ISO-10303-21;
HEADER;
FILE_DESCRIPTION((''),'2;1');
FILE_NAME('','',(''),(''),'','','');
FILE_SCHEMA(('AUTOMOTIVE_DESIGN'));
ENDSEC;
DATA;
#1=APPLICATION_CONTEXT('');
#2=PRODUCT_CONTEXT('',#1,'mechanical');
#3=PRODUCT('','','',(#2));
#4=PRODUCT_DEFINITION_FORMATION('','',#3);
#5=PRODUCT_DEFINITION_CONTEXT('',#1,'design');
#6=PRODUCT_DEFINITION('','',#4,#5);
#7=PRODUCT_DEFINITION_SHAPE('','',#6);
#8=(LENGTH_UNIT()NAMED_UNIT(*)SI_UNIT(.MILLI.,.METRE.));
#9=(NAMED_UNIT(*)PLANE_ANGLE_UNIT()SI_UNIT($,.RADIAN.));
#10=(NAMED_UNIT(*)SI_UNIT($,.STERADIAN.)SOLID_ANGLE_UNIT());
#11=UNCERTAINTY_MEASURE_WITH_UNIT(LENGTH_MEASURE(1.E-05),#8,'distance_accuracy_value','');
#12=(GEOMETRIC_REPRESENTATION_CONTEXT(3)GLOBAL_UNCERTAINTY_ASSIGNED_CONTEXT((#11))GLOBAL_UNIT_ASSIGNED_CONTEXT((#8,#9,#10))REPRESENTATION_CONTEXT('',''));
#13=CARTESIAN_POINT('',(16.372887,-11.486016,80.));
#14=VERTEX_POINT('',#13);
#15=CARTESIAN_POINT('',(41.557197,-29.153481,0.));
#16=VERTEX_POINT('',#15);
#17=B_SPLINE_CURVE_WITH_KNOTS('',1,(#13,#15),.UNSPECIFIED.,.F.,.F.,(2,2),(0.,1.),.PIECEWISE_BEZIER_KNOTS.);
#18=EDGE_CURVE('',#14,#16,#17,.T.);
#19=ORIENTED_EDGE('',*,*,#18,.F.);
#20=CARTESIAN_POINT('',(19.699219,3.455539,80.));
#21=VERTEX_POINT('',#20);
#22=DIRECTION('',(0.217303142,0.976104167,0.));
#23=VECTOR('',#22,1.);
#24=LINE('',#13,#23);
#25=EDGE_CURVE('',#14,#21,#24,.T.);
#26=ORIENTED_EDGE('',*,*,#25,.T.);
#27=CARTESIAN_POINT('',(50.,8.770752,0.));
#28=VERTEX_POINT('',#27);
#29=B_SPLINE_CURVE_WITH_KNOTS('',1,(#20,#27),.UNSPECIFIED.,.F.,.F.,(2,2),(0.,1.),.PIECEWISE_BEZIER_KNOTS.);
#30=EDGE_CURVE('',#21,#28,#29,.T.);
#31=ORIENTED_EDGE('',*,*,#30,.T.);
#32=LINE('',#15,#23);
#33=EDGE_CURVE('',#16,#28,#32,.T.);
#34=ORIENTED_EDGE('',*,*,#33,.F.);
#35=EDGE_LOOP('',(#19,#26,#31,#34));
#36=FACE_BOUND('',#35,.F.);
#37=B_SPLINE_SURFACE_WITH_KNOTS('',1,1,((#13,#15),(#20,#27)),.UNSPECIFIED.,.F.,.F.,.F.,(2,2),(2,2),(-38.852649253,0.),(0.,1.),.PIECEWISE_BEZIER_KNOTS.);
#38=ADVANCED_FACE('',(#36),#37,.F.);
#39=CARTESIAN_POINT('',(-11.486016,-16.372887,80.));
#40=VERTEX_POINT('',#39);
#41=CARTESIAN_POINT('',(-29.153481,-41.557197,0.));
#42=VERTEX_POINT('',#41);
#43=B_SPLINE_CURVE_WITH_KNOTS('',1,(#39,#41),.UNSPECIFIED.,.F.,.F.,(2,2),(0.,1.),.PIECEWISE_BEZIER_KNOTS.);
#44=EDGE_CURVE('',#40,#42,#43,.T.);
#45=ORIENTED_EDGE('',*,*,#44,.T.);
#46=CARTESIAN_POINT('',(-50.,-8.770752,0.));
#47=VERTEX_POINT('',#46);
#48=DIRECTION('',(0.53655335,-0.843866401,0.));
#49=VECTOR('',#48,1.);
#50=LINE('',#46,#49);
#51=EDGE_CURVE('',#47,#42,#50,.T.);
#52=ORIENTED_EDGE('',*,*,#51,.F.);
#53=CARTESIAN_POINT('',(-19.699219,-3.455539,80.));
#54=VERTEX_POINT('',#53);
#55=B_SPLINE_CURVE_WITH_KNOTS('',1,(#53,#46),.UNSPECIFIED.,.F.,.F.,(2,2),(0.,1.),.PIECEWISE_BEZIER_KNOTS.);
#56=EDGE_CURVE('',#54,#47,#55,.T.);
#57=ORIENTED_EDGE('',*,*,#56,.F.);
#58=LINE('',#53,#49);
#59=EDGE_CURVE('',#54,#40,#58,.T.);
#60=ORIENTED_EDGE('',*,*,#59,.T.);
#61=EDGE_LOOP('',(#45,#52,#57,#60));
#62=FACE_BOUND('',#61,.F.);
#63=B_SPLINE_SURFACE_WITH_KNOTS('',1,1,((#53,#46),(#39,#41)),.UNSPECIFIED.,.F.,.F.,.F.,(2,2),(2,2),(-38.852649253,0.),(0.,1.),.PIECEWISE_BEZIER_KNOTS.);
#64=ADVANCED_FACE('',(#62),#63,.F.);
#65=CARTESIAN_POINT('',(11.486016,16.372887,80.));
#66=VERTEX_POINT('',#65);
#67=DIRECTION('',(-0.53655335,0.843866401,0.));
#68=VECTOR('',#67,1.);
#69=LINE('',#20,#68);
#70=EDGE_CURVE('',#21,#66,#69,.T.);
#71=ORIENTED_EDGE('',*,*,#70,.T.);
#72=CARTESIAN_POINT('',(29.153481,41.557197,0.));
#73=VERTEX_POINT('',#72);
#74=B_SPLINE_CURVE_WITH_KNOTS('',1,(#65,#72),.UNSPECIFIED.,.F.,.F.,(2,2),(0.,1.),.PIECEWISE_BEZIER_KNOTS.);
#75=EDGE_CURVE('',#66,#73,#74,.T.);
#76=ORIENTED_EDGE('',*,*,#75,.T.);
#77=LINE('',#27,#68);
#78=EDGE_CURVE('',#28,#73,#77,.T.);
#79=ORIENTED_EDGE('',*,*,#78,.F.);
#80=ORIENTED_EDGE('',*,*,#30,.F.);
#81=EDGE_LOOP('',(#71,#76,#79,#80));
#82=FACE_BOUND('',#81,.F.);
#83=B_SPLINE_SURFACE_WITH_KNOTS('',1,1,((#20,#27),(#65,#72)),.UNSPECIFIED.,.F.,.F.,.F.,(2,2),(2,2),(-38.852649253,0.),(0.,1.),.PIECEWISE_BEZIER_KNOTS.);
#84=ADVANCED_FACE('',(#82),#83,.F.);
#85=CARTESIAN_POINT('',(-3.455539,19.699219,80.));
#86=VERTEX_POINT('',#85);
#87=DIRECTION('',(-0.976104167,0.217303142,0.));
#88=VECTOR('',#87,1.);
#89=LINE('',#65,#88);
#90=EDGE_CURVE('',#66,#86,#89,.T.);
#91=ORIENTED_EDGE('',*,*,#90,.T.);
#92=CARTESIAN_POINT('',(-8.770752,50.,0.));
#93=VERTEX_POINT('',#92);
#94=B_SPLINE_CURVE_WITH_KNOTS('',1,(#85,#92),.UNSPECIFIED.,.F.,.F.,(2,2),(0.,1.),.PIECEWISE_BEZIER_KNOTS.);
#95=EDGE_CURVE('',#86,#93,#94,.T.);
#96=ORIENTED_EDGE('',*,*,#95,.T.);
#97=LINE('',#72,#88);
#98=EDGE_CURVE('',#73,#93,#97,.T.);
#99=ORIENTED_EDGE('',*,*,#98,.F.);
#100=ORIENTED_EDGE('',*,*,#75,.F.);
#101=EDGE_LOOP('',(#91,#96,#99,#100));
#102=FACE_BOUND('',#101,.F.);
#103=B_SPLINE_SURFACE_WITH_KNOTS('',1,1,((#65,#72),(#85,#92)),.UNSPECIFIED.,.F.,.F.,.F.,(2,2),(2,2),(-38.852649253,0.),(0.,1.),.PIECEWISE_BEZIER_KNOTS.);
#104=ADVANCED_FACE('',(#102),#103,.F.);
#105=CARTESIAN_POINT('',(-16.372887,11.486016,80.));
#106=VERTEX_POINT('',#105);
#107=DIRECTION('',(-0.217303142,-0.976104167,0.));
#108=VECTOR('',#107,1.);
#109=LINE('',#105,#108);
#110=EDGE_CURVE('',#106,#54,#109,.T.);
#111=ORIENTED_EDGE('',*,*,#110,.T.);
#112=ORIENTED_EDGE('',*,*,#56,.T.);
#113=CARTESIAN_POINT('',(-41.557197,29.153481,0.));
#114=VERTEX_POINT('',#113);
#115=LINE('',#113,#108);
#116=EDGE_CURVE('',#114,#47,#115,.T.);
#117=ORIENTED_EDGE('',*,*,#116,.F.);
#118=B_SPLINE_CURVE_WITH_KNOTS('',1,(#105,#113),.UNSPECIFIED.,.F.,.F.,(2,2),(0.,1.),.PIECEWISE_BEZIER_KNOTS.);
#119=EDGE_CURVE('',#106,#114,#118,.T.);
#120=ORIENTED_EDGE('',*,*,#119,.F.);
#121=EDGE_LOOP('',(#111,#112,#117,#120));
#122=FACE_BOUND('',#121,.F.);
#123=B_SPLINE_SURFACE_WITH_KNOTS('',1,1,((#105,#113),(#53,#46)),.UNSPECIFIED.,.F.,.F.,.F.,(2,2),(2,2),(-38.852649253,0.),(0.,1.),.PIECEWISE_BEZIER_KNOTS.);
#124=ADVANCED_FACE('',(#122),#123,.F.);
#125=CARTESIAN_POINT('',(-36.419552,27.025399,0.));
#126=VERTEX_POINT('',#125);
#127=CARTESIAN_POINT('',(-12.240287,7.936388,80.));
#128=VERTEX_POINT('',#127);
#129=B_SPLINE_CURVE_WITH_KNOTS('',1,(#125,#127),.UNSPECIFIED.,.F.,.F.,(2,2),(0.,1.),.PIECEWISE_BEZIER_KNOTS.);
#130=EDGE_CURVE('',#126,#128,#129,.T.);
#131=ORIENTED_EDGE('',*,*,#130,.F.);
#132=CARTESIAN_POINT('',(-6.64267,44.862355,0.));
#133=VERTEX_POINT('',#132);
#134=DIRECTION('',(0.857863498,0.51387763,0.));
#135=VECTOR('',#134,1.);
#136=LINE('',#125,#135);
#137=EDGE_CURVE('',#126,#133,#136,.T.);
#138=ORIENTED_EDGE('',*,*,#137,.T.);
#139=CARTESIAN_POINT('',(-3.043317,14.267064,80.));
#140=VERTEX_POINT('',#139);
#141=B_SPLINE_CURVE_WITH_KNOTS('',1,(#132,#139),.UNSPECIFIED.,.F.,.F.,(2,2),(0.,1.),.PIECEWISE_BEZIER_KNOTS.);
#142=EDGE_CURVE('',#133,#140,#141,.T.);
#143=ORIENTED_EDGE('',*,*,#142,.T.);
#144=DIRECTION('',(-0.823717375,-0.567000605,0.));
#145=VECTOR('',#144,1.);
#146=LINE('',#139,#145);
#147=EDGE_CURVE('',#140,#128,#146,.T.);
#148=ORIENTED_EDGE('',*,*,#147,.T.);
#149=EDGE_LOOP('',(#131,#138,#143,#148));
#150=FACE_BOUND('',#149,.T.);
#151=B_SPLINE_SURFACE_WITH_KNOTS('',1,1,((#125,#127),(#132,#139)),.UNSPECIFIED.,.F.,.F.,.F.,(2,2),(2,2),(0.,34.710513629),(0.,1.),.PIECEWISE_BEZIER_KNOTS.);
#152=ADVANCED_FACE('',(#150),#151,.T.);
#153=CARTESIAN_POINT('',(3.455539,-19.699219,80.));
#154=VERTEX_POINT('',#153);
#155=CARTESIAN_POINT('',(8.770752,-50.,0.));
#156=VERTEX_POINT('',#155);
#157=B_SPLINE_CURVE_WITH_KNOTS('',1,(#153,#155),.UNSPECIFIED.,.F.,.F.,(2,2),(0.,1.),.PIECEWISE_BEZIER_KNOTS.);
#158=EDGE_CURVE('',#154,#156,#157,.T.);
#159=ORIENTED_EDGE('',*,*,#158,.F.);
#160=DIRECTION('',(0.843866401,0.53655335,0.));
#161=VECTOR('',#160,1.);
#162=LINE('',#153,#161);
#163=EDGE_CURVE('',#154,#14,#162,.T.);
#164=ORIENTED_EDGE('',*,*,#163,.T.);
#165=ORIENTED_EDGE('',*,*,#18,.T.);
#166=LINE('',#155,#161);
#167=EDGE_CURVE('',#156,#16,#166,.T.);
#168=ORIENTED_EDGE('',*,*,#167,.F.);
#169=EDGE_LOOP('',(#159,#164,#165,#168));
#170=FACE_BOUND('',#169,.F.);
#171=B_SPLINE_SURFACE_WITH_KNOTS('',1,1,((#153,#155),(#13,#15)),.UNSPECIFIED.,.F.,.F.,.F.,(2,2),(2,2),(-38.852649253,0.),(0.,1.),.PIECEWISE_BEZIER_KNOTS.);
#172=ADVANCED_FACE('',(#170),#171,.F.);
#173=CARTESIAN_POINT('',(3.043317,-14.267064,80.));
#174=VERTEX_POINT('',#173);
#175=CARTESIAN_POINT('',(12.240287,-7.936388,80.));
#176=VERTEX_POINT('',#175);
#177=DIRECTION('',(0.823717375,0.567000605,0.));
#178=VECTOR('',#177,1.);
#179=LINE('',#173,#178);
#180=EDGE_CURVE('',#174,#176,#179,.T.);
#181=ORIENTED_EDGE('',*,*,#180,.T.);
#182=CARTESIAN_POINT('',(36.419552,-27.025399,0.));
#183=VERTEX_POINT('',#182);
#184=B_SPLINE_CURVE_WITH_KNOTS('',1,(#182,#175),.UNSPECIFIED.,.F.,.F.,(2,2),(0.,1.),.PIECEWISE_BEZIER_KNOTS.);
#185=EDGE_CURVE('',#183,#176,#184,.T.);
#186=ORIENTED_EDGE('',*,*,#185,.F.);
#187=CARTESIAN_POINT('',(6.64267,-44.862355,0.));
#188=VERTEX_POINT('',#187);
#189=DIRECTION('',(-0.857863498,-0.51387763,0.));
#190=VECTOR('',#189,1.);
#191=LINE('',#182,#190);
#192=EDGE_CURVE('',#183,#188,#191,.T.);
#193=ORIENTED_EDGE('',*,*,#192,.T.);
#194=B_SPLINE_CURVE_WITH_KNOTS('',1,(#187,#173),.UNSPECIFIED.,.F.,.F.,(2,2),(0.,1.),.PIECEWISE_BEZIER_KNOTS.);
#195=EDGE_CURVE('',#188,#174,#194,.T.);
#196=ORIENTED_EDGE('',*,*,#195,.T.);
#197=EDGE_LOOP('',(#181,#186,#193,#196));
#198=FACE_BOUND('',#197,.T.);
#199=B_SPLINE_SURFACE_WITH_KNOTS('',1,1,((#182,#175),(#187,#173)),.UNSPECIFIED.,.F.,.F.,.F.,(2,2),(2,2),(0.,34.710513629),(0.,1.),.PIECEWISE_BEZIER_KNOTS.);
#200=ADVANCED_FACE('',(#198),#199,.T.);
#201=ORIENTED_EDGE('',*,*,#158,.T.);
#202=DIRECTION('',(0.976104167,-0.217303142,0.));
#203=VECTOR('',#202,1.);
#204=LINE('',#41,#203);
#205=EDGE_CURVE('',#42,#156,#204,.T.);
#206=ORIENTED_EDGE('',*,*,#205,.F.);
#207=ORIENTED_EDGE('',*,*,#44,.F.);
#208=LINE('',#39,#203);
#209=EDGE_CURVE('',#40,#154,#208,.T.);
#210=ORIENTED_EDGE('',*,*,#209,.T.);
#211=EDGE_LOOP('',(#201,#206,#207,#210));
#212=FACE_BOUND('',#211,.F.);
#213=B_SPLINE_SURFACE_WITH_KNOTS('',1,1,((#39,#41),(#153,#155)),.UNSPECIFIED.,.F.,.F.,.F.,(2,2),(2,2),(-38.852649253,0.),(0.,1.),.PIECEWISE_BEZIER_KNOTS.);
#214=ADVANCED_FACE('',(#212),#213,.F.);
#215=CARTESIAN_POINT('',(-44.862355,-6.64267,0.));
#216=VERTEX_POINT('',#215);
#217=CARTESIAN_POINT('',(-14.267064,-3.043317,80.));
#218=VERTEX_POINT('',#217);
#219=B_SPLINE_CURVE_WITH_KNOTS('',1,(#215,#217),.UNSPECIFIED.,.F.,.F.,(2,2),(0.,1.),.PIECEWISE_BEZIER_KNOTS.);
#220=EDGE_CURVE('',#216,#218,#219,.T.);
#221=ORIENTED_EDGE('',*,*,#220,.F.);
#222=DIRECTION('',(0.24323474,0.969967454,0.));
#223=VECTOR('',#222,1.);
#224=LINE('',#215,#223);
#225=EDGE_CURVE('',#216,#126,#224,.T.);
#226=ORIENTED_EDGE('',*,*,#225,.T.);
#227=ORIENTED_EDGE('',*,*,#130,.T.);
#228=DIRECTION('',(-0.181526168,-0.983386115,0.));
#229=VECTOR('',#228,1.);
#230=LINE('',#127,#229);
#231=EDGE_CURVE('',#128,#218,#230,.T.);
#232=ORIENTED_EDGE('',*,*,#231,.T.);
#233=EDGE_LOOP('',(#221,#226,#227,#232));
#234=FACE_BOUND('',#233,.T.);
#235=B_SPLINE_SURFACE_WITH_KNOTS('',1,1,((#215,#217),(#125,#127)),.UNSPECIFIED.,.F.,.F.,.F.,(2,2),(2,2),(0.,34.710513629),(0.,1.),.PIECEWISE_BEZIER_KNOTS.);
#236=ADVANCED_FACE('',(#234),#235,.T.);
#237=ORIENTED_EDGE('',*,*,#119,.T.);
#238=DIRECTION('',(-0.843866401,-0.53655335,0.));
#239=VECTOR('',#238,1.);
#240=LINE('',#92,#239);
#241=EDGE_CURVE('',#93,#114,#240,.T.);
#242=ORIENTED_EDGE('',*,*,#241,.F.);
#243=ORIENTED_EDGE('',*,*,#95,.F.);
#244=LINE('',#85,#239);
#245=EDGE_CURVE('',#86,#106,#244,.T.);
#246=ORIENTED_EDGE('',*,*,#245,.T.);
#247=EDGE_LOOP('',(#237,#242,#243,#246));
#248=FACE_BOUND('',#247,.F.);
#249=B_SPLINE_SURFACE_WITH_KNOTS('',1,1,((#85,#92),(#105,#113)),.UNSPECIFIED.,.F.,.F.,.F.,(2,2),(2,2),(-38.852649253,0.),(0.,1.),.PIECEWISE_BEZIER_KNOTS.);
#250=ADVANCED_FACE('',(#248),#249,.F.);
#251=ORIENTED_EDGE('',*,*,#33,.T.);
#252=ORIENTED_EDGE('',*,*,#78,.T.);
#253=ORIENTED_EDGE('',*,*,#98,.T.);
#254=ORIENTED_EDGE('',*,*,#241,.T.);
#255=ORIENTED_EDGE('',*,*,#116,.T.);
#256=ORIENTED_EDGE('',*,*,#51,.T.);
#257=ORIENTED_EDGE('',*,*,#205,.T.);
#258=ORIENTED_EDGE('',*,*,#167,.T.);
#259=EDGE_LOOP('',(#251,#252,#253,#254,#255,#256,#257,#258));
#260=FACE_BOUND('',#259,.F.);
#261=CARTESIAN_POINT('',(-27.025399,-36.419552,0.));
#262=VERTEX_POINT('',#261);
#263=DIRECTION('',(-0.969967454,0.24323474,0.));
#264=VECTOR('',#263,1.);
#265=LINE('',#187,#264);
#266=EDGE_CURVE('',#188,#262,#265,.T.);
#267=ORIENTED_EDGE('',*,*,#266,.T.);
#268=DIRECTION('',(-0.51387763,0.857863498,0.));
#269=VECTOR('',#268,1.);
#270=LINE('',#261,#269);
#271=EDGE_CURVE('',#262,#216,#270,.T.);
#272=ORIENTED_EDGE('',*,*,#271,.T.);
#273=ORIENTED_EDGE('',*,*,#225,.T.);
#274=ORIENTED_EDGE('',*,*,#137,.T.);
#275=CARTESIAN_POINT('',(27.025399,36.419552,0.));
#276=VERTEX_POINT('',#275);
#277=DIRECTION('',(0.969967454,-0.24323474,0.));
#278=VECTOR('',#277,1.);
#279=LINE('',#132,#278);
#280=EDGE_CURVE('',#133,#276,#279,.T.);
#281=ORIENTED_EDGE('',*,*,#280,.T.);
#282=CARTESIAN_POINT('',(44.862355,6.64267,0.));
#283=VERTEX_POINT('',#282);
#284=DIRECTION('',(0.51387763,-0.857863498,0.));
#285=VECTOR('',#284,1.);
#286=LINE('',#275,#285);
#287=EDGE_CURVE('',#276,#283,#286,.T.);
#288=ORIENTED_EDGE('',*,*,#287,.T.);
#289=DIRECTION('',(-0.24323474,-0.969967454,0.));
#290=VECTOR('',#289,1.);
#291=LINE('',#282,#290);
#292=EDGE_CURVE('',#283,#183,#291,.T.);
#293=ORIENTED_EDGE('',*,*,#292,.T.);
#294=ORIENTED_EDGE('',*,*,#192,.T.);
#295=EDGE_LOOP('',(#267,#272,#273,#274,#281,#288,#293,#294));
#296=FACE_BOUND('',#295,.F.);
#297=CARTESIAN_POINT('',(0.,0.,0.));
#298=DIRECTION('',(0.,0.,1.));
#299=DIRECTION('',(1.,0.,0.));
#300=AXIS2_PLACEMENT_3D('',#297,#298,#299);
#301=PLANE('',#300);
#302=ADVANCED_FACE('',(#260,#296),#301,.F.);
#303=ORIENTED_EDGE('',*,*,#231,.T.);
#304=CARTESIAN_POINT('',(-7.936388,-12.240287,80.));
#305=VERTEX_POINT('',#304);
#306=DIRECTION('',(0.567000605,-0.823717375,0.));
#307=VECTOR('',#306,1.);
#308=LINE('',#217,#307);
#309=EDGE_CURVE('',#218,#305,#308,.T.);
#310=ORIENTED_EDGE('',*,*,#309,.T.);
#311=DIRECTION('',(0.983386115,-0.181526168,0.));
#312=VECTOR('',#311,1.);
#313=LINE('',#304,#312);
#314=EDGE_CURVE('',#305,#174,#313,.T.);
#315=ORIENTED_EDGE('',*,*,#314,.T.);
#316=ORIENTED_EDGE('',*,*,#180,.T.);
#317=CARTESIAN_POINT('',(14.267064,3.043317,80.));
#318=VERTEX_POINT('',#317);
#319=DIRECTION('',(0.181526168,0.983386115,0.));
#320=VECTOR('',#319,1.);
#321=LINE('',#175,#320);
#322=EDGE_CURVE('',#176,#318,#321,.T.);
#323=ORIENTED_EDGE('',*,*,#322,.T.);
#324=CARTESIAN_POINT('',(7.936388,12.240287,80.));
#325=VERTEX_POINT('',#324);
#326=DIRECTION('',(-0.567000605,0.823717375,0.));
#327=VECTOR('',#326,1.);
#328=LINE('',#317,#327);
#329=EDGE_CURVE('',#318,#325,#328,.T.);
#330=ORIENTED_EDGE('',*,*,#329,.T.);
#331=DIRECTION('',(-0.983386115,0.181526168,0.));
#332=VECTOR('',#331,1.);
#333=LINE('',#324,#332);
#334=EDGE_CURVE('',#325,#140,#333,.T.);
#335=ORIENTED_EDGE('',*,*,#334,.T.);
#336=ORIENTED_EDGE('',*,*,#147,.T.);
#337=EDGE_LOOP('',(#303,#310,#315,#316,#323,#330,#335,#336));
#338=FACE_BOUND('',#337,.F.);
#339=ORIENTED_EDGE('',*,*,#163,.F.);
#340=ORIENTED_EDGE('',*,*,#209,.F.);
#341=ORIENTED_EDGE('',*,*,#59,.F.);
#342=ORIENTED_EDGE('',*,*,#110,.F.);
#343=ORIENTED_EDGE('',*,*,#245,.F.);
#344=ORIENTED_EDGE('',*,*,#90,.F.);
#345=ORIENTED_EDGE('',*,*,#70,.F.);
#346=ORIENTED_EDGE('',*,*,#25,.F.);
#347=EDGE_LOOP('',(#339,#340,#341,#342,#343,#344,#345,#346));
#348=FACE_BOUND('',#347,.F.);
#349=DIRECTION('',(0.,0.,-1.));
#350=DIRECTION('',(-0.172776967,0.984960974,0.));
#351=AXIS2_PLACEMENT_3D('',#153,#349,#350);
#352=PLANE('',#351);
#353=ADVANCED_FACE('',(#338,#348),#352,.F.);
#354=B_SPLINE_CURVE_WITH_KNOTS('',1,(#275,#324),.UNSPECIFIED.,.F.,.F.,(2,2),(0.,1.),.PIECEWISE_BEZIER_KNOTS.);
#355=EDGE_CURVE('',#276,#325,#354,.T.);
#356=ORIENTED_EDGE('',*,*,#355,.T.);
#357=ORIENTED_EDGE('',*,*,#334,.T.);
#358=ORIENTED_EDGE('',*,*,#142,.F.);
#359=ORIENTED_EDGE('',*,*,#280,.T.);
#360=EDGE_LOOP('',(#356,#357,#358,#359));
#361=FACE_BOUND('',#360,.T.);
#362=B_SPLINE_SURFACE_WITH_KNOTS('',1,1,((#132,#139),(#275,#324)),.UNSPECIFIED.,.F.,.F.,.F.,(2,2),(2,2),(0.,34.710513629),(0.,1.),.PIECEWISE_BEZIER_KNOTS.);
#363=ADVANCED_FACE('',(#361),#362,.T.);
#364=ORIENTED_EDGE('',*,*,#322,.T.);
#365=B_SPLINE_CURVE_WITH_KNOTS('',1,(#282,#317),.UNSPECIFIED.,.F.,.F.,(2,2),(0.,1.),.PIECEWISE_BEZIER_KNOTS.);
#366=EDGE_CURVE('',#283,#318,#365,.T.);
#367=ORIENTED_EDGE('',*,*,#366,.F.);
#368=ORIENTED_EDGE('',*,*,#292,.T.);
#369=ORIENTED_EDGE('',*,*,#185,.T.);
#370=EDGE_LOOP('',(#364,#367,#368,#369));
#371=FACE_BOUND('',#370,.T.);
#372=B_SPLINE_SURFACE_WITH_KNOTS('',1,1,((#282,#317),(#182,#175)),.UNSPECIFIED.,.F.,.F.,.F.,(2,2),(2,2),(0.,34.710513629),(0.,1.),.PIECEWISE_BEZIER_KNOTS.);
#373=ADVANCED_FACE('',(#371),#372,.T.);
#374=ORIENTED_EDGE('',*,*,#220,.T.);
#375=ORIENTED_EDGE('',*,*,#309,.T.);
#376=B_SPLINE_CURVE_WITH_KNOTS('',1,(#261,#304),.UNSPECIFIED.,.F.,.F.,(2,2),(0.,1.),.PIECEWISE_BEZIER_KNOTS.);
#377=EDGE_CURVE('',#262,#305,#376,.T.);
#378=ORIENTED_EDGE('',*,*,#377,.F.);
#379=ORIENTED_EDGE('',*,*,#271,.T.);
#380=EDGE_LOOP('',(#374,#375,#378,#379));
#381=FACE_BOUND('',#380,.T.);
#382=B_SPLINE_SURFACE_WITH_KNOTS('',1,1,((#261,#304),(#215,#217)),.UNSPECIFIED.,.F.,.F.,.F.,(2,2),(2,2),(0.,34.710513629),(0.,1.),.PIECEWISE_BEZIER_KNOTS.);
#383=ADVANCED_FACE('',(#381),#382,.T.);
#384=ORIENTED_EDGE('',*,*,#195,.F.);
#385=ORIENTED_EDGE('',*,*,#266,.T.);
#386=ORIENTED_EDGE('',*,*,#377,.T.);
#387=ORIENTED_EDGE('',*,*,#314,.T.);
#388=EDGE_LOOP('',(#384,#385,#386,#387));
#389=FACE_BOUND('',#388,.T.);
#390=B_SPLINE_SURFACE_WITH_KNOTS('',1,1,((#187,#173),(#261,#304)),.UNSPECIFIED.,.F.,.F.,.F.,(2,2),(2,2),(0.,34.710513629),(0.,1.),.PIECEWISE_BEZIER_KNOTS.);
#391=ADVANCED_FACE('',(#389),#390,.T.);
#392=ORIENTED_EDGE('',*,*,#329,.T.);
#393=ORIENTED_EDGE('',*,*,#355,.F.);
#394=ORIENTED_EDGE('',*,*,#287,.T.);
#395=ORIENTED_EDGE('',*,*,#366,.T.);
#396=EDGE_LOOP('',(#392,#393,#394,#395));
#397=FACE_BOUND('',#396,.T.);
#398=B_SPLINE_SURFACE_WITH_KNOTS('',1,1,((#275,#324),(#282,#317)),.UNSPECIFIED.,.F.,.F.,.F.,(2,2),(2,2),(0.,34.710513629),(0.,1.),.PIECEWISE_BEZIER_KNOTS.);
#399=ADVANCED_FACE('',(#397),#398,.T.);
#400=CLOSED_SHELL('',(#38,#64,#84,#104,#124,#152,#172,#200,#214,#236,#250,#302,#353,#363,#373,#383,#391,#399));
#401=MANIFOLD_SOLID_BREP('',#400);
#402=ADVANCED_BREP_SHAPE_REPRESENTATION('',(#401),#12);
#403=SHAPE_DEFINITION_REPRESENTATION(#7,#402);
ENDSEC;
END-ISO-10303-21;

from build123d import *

# Parameters (mm, degrees)
F1_DEPTH = 80


with BuildPart() as f1:
    # F0 (on Top) → F1 (new body)
    with BuildSketch(Plane.XY):
        Polygon((5.8453632716, -35.2880286434), (29.0857003563, -20.8191083406), (35.2880286434, 5.8453632716), (20.8191083406, 29.0857003563), (-5.8453632716, 35.2880286434), (-29.0857003563, 20.8191083406), (-35.2880286434, -5.8453632716), (-20.8191083406, -29.0857003563), align=None)
        Polygon((29.0857003563, -20.8191083406), (41.557197225, -29.1534808936), (50, 8.7707519298), (35.2880286434, 5.8453632716), align=None)
        Polygon((35.2880286434, 5.8453632716), (50, 8.7707519298), (29.1534808936, 41.557197225), (20.8191083406, 29.0857003563), align=None)
        Polygon((20.8191083406, 29.0857003563), (29.1534808936, 41.557197225), (-8.7707519298, 50), (-5.8453632716, 35.2880286434), align=None)
        Polygon((-5.8453632716, 35.2880286434), (-8.7707519298, 50), (-41.557197225, 29.1534808936), (-29.0857003563, 20.8191083406), align=None)
        Polygon((-41.557197225, 29.1534808936), (-50, -8.7707519298), (-35.2880286434, -5.8453632716), (-29.0857003563, 20.8191083406), align=None)
        Polygon((-50, -8.7707519298), (-29.1534808936, -41.557197225), (-20.8191083406, -29.0857003563), (-35.2880286434, -5.8453632716), align=None)
        Polygon((-29.1534808936, -41.557197225), (8.7707519298, -50), (5.8453632716, -35.2880286434), (-20.8191083406, -29.0857003563), align=None)
        Polygon((8.7707519298, -50), (41.557197225, -29.1534808936), (29.0857003563, -20.8191083406), (5.8453632716, -35.2880286434), align=None)
    extrude(amount=F1_DEPTH)

    # F2 (on face) → F3 section 0
    with BuildSketch(Plane.XY.offset(80)):
        Polygon((3.4555393442, -19.6992194729), (16.3728869763, -11.4860163705), (19.6992194729, 3.4555393442), (11.4860163705, 16.3728869763), (-3.4555393442, 19.6992194729), (-16.3728869763, 11.4860163705), (-19.6992194729, -3.4555393442), (-11.4860163705, -16.3728869763), align=None)
    # F1_face1 (on face) → F3 section 1
    with BuildSketch(Plane(origin=(0, 0, 0), x_dir=(1, 0, 0), z_dir=(0, 0, -1))):
        Polygon((50, -8.7707519298), (41.557197225, 29.1534808936), (8.7707519298, 50), (-29.1534808936, 41.557197225), (-50, 8.7707519298), (-41.557197225, -29.1534808936), (-8.7707519298, -50), (29.1534808936, -41.557197225), align=None)
    loft(mode=Mode.INTERSECT)

    # F5 (on face) → F6 section 0
    with BuildSketch(Plane(origin=(0, 0, 0), x_dir=(1, 0, 0), z_dir=(0, 0, -1))):
        Polygon((-6.6426697767, -44.8623552041), (27.0253987405, -36.4195524291), (44.8623552041, -6.6426697767), (36.4195524291, 27.0253987405), (6.6426697767, 44.8623552041), (-27.0253987405, 36.4195524291), (-44.8623552041, 6.6426697767), (-36.4195524291, -27.0253987405), align=None)
    # F4 (on face) → F6 section 1
    with BuildSketch(Plane.XY.offset(80)):
        Polygon((3.0433167547, -14.2670636416), (12.2402873631, -7.9363875341), (14.2670636416, 3.0433167547), (7.9363875341, 12.2402873631), (-3.0433167547, 14.2670636416), (-12.2402873631, 7.9363875341), (-14.2670636416, -3.0433167547), (-7.9363875341, -12.2402873631), align=None)
    loft(mode=Mode.SUBTRACT)


solid = f1.part
